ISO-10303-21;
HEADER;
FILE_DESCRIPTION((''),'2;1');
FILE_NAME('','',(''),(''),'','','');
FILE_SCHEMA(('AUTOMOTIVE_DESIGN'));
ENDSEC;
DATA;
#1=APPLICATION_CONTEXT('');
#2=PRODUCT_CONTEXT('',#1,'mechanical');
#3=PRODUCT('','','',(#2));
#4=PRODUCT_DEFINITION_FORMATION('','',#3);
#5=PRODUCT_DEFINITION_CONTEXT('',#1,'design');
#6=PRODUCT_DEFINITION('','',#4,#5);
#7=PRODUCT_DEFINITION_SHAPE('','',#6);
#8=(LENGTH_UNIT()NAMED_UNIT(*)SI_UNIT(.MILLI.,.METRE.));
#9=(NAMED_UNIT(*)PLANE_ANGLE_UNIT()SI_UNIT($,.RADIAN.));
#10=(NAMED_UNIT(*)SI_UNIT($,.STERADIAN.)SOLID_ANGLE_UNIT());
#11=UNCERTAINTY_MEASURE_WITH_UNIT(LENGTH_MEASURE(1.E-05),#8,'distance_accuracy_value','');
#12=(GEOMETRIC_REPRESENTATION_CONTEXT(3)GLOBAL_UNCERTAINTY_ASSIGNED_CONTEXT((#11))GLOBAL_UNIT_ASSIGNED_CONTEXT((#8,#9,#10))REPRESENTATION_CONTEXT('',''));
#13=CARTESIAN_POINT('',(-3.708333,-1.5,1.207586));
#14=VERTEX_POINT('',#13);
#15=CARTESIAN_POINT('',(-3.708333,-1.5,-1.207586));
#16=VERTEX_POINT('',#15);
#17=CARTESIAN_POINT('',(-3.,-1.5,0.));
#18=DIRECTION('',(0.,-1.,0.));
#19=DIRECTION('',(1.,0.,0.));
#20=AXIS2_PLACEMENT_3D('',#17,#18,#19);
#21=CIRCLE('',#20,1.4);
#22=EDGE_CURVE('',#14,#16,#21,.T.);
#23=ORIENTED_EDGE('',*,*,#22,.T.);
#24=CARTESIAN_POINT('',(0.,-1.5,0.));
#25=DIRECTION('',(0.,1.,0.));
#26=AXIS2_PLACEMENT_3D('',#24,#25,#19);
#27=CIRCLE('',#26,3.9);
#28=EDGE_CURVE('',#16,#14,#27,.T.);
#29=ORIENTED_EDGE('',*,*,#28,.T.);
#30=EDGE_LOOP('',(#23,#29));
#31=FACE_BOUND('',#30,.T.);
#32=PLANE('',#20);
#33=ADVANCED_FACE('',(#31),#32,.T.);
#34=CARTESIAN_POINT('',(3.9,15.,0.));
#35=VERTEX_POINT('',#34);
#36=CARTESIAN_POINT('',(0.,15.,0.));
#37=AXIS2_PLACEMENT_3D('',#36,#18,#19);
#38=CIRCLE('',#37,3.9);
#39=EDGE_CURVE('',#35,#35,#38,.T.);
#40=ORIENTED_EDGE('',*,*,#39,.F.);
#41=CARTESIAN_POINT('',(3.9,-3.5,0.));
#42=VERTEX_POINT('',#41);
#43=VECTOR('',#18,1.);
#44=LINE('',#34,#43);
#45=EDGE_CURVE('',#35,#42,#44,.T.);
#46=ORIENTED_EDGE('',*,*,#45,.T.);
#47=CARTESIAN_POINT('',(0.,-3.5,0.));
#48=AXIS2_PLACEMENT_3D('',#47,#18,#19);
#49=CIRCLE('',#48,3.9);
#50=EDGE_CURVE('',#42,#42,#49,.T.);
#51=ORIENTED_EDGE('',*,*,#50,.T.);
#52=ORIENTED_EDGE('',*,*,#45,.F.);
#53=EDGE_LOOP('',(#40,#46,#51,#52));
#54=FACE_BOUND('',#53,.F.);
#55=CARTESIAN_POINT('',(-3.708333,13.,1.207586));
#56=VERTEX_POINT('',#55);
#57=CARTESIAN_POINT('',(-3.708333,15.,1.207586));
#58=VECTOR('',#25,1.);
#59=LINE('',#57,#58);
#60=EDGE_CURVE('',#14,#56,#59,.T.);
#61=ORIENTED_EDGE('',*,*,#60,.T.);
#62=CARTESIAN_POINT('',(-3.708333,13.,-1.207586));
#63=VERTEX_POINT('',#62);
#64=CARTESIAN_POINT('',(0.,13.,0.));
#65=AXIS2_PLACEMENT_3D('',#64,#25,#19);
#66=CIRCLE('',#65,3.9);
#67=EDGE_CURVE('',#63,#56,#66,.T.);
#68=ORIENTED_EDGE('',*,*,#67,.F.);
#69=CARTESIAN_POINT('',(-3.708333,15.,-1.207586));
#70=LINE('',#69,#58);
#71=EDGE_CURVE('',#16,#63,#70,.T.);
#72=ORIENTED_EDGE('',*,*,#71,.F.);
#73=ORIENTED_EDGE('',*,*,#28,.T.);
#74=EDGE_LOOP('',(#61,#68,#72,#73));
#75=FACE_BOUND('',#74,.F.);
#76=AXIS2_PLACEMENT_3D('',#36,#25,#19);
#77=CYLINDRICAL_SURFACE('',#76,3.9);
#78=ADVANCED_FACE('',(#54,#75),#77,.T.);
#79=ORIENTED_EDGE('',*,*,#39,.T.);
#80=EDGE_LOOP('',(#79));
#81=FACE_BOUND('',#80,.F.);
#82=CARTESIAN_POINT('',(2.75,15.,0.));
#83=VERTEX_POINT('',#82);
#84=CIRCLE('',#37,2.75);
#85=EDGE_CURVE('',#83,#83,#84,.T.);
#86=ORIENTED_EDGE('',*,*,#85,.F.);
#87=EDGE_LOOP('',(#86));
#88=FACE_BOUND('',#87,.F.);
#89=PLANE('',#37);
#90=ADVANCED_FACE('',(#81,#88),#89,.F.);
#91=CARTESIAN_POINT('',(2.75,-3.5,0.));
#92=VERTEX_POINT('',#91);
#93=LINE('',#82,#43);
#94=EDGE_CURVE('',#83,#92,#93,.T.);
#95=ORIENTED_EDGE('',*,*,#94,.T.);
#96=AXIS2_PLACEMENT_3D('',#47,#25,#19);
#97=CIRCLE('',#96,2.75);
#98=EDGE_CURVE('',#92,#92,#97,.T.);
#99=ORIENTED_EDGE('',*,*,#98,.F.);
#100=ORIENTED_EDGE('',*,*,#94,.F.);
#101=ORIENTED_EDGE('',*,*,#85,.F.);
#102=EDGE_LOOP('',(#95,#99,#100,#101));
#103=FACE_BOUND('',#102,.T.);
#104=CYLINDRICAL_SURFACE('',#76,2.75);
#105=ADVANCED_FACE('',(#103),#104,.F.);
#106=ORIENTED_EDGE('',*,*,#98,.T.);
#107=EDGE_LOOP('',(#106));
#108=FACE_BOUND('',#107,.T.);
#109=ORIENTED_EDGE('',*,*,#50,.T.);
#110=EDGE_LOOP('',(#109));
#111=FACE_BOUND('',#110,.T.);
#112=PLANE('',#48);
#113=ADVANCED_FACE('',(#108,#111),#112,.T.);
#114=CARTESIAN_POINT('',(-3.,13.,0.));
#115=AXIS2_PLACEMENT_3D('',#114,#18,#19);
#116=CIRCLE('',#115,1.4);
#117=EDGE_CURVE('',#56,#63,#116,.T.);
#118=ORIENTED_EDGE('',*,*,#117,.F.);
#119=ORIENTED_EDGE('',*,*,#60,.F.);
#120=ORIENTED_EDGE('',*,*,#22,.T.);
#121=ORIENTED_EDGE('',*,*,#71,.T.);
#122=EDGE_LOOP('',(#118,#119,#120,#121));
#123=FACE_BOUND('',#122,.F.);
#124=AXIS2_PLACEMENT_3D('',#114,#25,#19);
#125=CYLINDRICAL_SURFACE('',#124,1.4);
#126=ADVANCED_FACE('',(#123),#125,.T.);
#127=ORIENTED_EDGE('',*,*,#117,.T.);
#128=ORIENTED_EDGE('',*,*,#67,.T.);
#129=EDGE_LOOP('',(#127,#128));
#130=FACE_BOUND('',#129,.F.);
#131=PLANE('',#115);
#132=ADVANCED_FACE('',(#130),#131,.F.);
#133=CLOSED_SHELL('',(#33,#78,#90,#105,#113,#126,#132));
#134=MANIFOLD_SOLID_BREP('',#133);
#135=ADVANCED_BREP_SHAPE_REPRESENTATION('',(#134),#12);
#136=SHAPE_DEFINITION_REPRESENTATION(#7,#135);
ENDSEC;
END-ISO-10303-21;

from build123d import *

# Parameters (mm, degrees)
SKETCH248_R          = 3.9
PAD125_DEPTH         = 18.5
SKETCH249_R          = 1.4
PAD126_DEPTH         = 14.5
SKETCH252_R          = 2.75
POCKET034_DEPTH      = 0.001
POCKET034_DEPTH_BACK = 18.501


with BuildPart() as part:
    # Sketch248 → Pad125 (new body)
    with BuildSketch(Plane.XZ):
        Circle(SKETCH248_R)
    extrude(amount=PAD125_DEPTH)

    # Sketch249 → Pad126 (join)
    with BuildSketch(Plane.XZ.offset(2)):
        with Locations((-3, 0)):
            Circle(SKETCH249_R)
    extrude(amount=PAD126_DEPTH)

    # Sketch252 → Pocket034 (cut, two sides)
    with BuildSketch(Plane.XZ) as pocket034_sk:
        Circle(SKETCH252_R)
    extrude(amount=-POCKET034_DEPTH, mode=Mode.SUBTRACT)
    extrude(pocket034_sk.sketch, amount=POCKET034_DEPTH_BACK, mode=Mode.SUBTRACT)


with BuildPart() as part_1:
    # Body102 placement: moved
    add(part.part.moved(Location((0, 15, 0))))


solid = part_1.part
